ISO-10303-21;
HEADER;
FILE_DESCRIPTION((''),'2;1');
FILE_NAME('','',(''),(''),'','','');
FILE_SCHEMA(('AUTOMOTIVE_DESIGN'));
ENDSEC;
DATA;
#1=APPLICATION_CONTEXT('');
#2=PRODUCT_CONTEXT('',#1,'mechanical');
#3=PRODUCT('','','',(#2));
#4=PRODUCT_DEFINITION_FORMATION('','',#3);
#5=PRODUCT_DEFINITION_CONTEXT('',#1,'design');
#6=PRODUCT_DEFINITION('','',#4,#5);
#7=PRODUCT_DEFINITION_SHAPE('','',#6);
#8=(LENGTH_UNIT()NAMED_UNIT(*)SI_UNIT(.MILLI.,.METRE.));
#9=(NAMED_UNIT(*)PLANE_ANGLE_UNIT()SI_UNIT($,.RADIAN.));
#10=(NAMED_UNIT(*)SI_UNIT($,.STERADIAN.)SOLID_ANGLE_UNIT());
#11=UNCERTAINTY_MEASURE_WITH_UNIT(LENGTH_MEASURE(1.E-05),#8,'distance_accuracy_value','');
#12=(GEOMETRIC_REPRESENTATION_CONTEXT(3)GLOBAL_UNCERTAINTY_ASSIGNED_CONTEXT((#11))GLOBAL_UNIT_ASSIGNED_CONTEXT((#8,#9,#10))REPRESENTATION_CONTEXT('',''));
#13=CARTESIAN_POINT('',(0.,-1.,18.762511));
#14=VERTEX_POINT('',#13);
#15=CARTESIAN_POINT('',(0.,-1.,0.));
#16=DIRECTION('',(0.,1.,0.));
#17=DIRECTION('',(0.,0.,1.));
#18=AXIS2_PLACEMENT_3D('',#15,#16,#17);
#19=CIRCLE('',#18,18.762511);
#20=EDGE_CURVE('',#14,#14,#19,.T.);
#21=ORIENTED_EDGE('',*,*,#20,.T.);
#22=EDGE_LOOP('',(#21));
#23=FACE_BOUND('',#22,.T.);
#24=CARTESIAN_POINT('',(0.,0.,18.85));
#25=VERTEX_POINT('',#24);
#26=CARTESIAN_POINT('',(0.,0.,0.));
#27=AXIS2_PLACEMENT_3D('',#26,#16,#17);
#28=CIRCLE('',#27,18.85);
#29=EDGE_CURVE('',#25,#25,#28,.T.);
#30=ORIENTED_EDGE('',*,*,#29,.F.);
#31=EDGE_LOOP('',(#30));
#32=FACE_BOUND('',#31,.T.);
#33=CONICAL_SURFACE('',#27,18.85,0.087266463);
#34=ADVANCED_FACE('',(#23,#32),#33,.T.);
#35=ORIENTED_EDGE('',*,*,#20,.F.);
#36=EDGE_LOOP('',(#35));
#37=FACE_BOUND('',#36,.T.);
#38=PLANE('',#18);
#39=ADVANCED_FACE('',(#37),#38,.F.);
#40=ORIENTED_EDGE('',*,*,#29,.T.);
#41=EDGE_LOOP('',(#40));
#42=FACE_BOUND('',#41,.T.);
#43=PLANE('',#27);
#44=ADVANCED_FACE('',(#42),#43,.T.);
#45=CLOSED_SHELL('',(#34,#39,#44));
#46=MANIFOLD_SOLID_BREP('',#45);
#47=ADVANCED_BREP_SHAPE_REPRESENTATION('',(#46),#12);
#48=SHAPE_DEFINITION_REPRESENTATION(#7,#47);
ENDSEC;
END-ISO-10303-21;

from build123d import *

# Parameters (mm, degrees)
SKETCH1_R      = 18.85
EXTRUDE1_DEPTH = 1
EXTRUDE1_DRAFT = -5


with BuildPart() as part:
    # Sketch1 → Extrude1 (with draft: the straight prism first)
    with BuildSketch(Plane(origin=(0, 0, 0), x_dir=(1, 0, 0), z_dir=(0, 1, 0))):
        Circle(SKETCH1_R)
    extrude(amount=-EXTRUDE1_DEPTH)
    # Extrude1: the draft: its side faces are tilted about the plane it starts from
    extrude1_sides = [part.faces().sort_by_distance(p)[0] for p in [
        (-18.85, -0.5, 0),
    ]]
    draft(extrude1_sides, Plane(origin=(0, 0, 0), x_dir=(1, 0, 0), z_dir=(0, 1, 0)), EXTRUDE1_DRAFT)


solid = part.part
